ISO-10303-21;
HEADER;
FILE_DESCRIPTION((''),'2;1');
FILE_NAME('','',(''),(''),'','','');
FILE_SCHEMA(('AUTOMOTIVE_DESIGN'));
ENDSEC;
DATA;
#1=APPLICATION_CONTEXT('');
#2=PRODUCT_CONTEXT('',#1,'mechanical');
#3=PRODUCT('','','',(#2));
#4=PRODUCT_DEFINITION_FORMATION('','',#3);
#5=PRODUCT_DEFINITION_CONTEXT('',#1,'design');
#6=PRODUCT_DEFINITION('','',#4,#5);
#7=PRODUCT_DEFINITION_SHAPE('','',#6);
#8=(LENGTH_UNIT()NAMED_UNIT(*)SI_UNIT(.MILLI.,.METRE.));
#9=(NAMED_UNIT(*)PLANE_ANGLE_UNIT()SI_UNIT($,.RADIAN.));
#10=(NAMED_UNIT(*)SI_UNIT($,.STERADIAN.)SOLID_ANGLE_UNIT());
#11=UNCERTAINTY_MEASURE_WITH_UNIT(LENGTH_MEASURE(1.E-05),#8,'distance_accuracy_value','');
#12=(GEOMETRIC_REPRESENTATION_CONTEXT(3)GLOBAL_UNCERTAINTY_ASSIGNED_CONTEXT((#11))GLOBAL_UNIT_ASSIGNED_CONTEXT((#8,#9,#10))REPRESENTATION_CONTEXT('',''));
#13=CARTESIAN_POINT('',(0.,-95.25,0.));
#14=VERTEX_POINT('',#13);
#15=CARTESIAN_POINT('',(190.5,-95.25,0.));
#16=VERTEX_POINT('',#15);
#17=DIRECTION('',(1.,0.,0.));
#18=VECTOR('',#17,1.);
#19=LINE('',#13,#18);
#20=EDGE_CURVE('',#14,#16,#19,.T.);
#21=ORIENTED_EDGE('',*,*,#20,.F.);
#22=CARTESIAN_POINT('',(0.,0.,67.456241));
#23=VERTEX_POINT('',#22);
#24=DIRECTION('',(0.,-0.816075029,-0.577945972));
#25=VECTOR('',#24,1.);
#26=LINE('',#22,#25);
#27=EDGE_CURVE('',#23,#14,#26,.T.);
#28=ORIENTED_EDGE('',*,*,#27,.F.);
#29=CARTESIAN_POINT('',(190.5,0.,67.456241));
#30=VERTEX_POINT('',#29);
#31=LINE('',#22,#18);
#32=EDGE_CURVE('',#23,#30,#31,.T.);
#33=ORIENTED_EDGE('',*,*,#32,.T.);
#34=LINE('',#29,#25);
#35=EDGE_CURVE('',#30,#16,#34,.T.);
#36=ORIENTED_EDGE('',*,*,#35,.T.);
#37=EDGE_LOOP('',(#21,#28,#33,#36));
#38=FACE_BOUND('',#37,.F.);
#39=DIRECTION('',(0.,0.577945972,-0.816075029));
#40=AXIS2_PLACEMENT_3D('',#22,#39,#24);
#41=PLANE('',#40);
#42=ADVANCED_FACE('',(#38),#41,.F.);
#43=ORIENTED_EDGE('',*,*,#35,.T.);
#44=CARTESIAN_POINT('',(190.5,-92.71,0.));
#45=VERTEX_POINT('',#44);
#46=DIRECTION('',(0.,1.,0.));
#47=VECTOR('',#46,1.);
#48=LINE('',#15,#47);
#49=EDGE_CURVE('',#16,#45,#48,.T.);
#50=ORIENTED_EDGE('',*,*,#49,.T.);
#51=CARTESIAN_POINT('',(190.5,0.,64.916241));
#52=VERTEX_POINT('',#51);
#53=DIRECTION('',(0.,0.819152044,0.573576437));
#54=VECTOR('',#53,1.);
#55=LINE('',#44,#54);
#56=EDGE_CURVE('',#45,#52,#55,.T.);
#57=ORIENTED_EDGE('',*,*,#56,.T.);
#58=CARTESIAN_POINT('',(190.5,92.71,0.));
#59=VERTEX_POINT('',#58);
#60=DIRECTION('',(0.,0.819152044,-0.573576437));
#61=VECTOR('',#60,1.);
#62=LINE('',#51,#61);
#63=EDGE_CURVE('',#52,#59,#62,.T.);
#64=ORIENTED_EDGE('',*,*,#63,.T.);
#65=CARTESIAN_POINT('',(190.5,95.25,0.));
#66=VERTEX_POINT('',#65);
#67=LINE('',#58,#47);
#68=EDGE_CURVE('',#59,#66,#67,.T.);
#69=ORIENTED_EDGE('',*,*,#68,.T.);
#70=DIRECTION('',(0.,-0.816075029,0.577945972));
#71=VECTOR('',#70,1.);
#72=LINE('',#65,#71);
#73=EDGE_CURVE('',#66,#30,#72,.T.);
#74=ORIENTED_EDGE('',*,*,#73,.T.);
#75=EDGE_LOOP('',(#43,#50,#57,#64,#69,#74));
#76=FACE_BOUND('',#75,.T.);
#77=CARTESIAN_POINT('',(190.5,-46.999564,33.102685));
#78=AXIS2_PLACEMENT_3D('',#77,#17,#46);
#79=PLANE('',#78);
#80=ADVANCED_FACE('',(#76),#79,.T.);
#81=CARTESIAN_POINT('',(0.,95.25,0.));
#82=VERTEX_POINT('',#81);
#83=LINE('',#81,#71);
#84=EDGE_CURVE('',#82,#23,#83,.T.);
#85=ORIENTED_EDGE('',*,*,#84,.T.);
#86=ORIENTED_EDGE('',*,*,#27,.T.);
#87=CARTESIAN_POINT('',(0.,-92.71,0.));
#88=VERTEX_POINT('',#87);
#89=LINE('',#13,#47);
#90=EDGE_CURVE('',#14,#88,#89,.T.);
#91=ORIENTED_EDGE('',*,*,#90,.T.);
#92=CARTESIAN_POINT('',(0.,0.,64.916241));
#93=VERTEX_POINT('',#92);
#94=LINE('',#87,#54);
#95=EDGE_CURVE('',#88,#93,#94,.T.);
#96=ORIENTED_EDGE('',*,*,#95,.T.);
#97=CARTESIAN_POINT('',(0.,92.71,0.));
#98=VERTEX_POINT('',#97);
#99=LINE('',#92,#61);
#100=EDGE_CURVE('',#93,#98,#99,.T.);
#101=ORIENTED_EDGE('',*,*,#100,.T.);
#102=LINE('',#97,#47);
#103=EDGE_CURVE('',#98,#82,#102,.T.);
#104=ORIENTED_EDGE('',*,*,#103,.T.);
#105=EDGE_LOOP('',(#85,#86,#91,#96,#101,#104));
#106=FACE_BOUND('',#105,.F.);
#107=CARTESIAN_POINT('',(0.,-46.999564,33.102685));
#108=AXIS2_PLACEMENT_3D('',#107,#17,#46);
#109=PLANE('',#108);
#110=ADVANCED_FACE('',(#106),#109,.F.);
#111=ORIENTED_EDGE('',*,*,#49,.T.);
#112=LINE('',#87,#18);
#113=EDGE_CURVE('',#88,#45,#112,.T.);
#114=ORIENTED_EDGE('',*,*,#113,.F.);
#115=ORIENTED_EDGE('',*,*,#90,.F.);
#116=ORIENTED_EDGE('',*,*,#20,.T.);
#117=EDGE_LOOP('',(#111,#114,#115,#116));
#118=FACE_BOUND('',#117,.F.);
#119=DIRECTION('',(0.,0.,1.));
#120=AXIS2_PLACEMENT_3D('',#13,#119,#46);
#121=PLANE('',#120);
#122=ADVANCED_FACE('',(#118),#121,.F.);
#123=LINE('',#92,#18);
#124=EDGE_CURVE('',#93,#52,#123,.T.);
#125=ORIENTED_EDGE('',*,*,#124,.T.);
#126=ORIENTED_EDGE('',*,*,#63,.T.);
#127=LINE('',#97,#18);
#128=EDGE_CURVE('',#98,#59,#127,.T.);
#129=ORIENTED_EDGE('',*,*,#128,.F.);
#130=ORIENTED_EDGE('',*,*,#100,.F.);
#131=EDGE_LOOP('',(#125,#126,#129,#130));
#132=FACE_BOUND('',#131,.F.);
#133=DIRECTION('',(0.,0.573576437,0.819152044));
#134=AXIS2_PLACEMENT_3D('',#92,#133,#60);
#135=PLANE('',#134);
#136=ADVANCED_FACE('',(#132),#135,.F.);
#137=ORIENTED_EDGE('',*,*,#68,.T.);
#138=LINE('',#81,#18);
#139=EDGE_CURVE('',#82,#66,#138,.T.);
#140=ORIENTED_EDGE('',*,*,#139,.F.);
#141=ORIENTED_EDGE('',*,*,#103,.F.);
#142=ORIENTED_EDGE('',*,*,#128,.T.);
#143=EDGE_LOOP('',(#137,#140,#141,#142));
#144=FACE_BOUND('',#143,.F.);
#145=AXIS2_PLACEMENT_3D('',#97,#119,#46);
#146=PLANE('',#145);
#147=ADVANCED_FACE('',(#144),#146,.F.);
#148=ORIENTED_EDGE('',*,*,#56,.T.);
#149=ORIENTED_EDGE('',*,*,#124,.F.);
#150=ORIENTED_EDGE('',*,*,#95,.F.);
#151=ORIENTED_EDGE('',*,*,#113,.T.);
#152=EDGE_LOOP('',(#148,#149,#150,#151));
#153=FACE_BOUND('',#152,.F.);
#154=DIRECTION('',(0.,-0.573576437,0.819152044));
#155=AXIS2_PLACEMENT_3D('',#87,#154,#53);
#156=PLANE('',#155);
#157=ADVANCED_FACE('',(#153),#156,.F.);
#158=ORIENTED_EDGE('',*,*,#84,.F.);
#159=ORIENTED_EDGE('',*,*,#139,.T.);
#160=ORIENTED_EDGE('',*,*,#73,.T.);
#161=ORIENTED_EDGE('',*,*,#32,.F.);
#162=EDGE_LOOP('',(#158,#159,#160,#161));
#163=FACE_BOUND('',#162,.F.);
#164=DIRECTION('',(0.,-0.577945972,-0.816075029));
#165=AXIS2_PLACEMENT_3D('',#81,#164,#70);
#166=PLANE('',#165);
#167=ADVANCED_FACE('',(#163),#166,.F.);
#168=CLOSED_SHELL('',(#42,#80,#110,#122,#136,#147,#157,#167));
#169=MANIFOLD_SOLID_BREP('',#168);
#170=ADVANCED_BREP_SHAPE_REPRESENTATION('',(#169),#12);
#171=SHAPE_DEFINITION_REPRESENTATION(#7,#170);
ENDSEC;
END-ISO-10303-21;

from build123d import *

# Parameters (mm, degrees)
F1_DEPTH = 190.5


with BuildPart() as f1:
    # F0 (on Right) → F1 (new body)
    with BuildSketch(Plane.YZ):
        Polygon((0, 67.456241), (-95.25, 0), (-92.71, 0), (0, 64.916241), align=None)
        Polygon((95.25, 0), (0, 67.456241), (0, 64.916241), (92.71, 0), align=None)
    extrude(amount=F1_DEPTH)


solid = f1.part
